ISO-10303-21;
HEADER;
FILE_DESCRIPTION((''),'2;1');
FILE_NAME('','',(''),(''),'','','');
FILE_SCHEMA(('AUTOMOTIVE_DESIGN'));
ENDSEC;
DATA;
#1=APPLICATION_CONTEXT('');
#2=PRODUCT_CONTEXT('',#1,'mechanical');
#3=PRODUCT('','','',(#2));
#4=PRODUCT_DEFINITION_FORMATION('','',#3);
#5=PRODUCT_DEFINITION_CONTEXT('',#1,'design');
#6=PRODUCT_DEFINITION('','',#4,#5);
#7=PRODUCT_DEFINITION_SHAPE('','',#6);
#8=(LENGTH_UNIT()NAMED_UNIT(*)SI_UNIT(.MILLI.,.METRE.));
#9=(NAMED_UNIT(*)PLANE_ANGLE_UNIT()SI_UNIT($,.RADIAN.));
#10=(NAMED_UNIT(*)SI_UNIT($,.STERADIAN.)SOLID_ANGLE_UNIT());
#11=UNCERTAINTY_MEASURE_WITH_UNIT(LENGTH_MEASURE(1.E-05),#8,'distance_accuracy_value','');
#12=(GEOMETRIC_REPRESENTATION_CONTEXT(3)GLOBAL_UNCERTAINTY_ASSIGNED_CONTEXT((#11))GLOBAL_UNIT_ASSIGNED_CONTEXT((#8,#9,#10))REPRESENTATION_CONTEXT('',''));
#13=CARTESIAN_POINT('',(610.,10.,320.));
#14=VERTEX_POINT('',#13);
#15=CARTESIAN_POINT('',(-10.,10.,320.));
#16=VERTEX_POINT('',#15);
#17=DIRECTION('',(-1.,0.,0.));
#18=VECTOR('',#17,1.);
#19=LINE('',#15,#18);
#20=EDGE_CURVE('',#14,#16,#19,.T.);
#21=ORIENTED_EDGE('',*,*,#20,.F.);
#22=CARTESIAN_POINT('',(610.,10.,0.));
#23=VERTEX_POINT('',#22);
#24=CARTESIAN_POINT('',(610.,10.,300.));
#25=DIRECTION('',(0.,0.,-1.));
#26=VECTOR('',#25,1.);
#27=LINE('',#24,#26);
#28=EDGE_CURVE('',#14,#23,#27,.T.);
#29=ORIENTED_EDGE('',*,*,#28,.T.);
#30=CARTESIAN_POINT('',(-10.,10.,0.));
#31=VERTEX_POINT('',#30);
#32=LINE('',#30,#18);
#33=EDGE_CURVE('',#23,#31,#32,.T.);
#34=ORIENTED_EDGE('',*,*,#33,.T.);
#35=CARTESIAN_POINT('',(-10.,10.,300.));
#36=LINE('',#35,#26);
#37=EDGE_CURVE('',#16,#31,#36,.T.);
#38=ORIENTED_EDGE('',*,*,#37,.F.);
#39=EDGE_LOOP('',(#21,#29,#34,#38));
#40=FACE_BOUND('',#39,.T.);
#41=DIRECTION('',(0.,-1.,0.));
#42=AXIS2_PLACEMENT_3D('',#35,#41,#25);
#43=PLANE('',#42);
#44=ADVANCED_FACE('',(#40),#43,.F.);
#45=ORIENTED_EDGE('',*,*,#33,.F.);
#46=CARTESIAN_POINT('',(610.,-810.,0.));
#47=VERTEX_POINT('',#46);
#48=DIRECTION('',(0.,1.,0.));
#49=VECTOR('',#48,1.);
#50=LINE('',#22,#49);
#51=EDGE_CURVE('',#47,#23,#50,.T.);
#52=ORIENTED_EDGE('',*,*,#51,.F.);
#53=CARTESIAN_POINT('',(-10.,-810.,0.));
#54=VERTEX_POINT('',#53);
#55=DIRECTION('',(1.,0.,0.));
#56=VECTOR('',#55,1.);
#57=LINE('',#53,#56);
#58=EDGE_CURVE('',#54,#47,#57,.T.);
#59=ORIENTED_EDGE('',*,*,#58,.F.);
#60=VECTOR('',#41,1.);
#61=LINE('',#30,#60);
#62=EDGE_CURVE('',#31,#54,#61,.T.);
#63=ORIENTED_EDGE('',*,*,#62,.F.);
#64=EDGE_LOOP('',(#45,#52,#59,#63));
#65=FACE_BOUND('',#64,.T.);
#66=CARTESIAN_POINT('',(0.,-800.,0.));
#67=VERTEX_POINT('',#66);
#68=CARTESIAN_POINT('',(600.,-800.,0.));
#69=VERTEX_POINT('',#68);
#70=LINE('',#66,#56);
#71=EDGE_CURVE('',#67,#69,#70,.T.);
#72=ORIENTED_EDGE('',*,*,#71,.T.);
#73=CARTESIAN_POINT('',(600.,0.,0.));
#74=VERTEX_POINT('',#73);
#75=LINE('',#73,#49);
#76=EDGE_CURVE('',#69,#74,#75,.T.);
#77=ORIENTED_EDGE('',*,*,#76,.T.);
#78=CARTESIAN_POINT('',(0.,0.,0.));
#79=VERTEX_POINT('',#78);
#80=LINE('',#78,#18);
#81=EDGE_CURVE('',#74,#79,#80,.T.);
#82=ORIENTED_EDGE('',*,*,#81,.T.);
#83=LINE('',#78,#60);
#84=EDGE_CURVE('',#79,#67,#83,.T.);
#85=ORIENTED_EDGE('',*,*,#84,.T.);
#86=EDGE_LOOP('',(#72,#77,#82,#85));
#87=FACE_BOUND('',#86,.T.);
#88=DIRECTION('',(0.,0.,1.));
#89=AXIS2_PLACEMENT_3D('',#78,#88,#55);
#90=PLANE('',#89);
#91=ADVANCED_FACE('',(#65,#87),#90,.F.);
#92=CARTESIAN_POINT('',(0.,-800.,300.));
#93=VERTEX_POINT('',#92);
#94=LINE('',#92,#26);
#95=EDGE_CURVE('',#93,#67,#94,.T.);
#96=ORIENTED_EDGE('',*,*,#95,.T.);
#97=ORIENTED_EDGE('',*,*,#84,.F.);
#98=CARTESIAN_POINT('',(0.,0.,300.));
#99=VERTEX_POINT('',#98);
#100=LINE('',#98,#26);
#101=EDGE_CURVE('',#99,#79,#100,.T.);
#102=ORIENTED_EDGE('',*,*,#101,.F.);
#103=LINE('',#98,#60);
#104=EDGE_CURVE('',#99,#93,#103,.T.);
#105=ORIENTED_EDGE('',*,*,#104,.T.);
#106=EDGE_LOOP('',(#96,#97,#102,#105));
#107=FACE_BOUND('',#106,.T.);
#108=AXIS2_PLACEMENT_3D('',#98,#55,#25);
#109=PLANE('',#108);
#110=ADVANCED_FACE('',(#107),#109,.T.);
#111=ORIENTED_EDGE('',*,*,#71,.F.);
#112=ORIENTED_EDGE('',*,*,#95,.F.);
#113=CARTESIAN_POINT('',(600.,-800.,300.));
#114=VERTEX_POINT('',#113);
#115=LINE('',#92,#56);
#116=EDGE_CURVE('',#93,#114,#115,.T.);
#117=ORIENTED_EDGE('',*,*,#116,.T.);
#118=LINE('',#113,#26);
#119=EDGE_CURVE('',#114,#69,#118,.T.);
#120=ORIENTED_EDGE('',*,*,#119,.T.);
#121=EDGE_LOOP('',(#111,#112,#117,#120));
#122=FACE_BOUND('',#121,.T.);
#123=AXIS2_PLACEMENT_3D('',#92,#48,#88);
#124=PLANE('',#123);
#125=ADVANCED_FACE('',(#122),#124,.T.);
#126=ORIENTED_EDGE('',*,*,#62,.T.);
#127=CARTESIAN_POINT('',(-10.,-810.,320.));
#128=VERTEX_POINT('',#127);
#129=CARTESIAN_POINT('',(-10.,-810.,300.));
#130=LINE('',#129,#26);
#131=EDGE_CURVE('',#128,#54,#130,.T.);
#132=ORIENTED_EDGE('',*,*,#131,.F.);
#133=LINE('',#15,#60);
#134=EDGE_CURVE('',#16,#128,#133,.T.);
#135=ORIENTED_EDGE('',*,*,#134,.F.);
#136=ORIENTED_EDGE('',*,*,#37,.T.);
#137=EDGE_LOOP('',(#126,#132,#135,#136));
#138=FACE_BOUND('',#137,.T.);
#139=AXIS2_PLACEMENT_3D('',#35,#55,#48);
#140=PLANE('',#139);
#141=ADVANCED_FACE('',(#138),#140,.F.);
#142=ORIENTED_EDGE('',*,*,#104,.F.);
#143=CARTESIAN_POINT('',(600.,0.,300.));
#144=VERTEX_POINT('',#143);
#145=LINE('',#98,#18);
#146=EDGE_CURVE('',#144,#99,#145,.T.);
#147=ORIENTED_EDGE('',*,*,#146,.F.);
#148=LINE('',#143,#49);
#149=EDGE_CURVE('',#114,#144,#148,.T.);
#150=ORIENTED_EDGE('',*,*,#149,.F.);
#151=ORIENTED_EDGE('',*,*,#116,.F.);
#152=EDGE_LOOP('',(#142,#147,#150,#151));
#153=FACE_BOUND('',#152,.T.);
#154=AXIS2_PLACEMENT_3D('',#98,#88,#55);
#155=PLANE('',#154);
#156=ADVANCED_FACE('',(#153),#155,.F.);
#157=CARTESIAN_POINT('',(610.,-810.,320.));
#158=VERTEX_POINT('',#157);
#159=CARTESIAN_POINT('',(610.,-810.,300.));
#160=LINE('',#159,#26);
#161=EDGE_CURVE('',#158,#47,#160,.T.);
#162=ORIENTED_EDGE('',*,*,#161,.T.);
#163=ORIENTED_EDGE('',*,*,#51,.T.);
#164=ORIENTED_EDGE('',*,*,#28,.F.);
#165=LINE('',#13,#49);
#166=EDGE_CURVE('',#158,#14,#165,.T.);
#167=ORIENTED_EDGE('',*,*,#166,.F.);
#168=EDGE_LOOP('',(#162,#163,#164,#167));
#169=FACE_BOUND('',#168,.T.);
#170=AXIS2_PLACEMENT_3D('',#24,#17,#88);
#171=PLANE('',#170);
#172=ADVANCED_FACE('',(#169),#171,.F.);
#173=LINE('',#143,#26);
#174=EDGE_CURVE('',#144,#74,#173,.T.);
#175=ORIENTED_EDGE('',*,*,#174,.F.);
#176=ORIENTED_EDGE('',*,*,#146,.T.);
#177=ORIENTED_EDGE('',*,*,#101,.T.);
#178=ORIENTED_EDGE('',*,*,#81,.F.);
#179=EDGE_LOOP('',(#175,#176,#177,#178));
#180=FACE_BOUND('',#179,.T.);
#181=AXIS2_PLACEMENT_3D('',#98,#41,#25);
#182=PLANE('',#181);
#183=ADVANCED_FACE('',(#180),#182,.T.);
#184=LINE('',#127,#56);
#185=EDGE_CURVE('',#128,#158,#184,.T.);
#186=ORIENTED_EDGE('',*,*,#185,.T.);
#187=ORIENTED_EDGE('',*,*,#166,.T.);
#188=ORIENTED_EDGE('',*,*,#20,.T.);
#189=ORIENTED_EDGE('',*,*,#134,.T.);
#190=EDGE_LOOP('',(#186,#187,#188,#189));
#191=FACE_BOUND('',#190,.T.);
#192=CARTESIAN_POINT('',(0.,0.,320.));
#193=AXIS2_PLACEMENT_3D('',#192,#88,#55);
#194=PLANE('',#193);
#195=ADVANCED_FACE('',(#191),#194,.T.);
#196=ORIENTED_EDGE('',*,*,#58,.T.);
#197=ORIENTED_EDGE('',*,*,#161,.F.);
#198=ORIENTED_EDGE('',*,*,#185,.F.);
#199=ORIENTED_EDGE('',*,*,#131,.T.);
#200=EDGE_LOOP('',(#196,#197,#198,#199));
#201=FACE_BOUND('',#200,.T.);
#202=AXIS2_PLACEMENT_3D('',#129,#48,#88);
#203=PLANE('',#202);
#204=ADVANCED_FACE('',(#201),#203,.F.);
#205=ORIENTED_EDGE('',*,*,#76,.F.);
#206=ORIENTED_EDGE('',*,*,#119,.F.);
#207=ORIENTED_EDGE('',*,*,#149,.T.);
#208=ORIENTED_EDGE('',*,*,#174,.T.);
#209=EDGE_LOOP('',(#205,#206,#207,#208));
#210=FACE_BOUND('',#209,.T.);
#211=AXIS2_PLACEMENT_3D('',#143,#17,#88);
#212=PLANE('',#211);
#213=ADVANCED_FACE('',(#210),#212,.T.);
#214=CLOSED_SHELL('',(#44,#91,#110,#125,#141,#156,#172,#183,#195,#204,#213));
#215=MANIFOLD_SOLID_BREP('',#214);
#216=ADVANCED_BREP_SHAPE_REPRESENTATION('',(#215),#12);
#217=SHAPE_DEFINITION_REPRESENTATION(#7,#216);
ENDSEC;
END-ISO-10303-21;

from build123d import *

# Parameters (mm, degrees)
CROQUIS1_W              = 620
CROQUIS1_H              = 820
CROQUIS1_W_2            = 600
CROQUIS1_H_2            = 800
SALIENTE_EXTRUIR1_DEPTH = 300
CROQUIS6_W              = 620
CROQUIS6_H              = 820
SALIENTE_EXTRUIR4_DEPTH = 20


with BuildPart() as part:
    # Croquis1 → Saliente-Extruir1 (new body)
    with BuildSketch(Plane.XY):
        with Locations((300, -400)):
            Rectangle(CROQUIS1_W, CROQUIS1_H)
        with Locations((300, -400)):
            Rectangle(CROQUIS1_W_2, CROQUIS1_H_2, mode=Mode.SUBTRACT)
    extrude(amount=SALIENTE_EXTRUIR1_DEPTH)

    # Croquis6 → Saliente-Extruir4 (add)
    with BuildSketch(Plane.XY.offset(300)):
        with Locations((300, -400)):
            Rectangle(CROQUIS6_W, CROQUIS6_H)
    extrude(amount=SALIENTE_EXTRUIR4_DEPTH)


solid = part.part
